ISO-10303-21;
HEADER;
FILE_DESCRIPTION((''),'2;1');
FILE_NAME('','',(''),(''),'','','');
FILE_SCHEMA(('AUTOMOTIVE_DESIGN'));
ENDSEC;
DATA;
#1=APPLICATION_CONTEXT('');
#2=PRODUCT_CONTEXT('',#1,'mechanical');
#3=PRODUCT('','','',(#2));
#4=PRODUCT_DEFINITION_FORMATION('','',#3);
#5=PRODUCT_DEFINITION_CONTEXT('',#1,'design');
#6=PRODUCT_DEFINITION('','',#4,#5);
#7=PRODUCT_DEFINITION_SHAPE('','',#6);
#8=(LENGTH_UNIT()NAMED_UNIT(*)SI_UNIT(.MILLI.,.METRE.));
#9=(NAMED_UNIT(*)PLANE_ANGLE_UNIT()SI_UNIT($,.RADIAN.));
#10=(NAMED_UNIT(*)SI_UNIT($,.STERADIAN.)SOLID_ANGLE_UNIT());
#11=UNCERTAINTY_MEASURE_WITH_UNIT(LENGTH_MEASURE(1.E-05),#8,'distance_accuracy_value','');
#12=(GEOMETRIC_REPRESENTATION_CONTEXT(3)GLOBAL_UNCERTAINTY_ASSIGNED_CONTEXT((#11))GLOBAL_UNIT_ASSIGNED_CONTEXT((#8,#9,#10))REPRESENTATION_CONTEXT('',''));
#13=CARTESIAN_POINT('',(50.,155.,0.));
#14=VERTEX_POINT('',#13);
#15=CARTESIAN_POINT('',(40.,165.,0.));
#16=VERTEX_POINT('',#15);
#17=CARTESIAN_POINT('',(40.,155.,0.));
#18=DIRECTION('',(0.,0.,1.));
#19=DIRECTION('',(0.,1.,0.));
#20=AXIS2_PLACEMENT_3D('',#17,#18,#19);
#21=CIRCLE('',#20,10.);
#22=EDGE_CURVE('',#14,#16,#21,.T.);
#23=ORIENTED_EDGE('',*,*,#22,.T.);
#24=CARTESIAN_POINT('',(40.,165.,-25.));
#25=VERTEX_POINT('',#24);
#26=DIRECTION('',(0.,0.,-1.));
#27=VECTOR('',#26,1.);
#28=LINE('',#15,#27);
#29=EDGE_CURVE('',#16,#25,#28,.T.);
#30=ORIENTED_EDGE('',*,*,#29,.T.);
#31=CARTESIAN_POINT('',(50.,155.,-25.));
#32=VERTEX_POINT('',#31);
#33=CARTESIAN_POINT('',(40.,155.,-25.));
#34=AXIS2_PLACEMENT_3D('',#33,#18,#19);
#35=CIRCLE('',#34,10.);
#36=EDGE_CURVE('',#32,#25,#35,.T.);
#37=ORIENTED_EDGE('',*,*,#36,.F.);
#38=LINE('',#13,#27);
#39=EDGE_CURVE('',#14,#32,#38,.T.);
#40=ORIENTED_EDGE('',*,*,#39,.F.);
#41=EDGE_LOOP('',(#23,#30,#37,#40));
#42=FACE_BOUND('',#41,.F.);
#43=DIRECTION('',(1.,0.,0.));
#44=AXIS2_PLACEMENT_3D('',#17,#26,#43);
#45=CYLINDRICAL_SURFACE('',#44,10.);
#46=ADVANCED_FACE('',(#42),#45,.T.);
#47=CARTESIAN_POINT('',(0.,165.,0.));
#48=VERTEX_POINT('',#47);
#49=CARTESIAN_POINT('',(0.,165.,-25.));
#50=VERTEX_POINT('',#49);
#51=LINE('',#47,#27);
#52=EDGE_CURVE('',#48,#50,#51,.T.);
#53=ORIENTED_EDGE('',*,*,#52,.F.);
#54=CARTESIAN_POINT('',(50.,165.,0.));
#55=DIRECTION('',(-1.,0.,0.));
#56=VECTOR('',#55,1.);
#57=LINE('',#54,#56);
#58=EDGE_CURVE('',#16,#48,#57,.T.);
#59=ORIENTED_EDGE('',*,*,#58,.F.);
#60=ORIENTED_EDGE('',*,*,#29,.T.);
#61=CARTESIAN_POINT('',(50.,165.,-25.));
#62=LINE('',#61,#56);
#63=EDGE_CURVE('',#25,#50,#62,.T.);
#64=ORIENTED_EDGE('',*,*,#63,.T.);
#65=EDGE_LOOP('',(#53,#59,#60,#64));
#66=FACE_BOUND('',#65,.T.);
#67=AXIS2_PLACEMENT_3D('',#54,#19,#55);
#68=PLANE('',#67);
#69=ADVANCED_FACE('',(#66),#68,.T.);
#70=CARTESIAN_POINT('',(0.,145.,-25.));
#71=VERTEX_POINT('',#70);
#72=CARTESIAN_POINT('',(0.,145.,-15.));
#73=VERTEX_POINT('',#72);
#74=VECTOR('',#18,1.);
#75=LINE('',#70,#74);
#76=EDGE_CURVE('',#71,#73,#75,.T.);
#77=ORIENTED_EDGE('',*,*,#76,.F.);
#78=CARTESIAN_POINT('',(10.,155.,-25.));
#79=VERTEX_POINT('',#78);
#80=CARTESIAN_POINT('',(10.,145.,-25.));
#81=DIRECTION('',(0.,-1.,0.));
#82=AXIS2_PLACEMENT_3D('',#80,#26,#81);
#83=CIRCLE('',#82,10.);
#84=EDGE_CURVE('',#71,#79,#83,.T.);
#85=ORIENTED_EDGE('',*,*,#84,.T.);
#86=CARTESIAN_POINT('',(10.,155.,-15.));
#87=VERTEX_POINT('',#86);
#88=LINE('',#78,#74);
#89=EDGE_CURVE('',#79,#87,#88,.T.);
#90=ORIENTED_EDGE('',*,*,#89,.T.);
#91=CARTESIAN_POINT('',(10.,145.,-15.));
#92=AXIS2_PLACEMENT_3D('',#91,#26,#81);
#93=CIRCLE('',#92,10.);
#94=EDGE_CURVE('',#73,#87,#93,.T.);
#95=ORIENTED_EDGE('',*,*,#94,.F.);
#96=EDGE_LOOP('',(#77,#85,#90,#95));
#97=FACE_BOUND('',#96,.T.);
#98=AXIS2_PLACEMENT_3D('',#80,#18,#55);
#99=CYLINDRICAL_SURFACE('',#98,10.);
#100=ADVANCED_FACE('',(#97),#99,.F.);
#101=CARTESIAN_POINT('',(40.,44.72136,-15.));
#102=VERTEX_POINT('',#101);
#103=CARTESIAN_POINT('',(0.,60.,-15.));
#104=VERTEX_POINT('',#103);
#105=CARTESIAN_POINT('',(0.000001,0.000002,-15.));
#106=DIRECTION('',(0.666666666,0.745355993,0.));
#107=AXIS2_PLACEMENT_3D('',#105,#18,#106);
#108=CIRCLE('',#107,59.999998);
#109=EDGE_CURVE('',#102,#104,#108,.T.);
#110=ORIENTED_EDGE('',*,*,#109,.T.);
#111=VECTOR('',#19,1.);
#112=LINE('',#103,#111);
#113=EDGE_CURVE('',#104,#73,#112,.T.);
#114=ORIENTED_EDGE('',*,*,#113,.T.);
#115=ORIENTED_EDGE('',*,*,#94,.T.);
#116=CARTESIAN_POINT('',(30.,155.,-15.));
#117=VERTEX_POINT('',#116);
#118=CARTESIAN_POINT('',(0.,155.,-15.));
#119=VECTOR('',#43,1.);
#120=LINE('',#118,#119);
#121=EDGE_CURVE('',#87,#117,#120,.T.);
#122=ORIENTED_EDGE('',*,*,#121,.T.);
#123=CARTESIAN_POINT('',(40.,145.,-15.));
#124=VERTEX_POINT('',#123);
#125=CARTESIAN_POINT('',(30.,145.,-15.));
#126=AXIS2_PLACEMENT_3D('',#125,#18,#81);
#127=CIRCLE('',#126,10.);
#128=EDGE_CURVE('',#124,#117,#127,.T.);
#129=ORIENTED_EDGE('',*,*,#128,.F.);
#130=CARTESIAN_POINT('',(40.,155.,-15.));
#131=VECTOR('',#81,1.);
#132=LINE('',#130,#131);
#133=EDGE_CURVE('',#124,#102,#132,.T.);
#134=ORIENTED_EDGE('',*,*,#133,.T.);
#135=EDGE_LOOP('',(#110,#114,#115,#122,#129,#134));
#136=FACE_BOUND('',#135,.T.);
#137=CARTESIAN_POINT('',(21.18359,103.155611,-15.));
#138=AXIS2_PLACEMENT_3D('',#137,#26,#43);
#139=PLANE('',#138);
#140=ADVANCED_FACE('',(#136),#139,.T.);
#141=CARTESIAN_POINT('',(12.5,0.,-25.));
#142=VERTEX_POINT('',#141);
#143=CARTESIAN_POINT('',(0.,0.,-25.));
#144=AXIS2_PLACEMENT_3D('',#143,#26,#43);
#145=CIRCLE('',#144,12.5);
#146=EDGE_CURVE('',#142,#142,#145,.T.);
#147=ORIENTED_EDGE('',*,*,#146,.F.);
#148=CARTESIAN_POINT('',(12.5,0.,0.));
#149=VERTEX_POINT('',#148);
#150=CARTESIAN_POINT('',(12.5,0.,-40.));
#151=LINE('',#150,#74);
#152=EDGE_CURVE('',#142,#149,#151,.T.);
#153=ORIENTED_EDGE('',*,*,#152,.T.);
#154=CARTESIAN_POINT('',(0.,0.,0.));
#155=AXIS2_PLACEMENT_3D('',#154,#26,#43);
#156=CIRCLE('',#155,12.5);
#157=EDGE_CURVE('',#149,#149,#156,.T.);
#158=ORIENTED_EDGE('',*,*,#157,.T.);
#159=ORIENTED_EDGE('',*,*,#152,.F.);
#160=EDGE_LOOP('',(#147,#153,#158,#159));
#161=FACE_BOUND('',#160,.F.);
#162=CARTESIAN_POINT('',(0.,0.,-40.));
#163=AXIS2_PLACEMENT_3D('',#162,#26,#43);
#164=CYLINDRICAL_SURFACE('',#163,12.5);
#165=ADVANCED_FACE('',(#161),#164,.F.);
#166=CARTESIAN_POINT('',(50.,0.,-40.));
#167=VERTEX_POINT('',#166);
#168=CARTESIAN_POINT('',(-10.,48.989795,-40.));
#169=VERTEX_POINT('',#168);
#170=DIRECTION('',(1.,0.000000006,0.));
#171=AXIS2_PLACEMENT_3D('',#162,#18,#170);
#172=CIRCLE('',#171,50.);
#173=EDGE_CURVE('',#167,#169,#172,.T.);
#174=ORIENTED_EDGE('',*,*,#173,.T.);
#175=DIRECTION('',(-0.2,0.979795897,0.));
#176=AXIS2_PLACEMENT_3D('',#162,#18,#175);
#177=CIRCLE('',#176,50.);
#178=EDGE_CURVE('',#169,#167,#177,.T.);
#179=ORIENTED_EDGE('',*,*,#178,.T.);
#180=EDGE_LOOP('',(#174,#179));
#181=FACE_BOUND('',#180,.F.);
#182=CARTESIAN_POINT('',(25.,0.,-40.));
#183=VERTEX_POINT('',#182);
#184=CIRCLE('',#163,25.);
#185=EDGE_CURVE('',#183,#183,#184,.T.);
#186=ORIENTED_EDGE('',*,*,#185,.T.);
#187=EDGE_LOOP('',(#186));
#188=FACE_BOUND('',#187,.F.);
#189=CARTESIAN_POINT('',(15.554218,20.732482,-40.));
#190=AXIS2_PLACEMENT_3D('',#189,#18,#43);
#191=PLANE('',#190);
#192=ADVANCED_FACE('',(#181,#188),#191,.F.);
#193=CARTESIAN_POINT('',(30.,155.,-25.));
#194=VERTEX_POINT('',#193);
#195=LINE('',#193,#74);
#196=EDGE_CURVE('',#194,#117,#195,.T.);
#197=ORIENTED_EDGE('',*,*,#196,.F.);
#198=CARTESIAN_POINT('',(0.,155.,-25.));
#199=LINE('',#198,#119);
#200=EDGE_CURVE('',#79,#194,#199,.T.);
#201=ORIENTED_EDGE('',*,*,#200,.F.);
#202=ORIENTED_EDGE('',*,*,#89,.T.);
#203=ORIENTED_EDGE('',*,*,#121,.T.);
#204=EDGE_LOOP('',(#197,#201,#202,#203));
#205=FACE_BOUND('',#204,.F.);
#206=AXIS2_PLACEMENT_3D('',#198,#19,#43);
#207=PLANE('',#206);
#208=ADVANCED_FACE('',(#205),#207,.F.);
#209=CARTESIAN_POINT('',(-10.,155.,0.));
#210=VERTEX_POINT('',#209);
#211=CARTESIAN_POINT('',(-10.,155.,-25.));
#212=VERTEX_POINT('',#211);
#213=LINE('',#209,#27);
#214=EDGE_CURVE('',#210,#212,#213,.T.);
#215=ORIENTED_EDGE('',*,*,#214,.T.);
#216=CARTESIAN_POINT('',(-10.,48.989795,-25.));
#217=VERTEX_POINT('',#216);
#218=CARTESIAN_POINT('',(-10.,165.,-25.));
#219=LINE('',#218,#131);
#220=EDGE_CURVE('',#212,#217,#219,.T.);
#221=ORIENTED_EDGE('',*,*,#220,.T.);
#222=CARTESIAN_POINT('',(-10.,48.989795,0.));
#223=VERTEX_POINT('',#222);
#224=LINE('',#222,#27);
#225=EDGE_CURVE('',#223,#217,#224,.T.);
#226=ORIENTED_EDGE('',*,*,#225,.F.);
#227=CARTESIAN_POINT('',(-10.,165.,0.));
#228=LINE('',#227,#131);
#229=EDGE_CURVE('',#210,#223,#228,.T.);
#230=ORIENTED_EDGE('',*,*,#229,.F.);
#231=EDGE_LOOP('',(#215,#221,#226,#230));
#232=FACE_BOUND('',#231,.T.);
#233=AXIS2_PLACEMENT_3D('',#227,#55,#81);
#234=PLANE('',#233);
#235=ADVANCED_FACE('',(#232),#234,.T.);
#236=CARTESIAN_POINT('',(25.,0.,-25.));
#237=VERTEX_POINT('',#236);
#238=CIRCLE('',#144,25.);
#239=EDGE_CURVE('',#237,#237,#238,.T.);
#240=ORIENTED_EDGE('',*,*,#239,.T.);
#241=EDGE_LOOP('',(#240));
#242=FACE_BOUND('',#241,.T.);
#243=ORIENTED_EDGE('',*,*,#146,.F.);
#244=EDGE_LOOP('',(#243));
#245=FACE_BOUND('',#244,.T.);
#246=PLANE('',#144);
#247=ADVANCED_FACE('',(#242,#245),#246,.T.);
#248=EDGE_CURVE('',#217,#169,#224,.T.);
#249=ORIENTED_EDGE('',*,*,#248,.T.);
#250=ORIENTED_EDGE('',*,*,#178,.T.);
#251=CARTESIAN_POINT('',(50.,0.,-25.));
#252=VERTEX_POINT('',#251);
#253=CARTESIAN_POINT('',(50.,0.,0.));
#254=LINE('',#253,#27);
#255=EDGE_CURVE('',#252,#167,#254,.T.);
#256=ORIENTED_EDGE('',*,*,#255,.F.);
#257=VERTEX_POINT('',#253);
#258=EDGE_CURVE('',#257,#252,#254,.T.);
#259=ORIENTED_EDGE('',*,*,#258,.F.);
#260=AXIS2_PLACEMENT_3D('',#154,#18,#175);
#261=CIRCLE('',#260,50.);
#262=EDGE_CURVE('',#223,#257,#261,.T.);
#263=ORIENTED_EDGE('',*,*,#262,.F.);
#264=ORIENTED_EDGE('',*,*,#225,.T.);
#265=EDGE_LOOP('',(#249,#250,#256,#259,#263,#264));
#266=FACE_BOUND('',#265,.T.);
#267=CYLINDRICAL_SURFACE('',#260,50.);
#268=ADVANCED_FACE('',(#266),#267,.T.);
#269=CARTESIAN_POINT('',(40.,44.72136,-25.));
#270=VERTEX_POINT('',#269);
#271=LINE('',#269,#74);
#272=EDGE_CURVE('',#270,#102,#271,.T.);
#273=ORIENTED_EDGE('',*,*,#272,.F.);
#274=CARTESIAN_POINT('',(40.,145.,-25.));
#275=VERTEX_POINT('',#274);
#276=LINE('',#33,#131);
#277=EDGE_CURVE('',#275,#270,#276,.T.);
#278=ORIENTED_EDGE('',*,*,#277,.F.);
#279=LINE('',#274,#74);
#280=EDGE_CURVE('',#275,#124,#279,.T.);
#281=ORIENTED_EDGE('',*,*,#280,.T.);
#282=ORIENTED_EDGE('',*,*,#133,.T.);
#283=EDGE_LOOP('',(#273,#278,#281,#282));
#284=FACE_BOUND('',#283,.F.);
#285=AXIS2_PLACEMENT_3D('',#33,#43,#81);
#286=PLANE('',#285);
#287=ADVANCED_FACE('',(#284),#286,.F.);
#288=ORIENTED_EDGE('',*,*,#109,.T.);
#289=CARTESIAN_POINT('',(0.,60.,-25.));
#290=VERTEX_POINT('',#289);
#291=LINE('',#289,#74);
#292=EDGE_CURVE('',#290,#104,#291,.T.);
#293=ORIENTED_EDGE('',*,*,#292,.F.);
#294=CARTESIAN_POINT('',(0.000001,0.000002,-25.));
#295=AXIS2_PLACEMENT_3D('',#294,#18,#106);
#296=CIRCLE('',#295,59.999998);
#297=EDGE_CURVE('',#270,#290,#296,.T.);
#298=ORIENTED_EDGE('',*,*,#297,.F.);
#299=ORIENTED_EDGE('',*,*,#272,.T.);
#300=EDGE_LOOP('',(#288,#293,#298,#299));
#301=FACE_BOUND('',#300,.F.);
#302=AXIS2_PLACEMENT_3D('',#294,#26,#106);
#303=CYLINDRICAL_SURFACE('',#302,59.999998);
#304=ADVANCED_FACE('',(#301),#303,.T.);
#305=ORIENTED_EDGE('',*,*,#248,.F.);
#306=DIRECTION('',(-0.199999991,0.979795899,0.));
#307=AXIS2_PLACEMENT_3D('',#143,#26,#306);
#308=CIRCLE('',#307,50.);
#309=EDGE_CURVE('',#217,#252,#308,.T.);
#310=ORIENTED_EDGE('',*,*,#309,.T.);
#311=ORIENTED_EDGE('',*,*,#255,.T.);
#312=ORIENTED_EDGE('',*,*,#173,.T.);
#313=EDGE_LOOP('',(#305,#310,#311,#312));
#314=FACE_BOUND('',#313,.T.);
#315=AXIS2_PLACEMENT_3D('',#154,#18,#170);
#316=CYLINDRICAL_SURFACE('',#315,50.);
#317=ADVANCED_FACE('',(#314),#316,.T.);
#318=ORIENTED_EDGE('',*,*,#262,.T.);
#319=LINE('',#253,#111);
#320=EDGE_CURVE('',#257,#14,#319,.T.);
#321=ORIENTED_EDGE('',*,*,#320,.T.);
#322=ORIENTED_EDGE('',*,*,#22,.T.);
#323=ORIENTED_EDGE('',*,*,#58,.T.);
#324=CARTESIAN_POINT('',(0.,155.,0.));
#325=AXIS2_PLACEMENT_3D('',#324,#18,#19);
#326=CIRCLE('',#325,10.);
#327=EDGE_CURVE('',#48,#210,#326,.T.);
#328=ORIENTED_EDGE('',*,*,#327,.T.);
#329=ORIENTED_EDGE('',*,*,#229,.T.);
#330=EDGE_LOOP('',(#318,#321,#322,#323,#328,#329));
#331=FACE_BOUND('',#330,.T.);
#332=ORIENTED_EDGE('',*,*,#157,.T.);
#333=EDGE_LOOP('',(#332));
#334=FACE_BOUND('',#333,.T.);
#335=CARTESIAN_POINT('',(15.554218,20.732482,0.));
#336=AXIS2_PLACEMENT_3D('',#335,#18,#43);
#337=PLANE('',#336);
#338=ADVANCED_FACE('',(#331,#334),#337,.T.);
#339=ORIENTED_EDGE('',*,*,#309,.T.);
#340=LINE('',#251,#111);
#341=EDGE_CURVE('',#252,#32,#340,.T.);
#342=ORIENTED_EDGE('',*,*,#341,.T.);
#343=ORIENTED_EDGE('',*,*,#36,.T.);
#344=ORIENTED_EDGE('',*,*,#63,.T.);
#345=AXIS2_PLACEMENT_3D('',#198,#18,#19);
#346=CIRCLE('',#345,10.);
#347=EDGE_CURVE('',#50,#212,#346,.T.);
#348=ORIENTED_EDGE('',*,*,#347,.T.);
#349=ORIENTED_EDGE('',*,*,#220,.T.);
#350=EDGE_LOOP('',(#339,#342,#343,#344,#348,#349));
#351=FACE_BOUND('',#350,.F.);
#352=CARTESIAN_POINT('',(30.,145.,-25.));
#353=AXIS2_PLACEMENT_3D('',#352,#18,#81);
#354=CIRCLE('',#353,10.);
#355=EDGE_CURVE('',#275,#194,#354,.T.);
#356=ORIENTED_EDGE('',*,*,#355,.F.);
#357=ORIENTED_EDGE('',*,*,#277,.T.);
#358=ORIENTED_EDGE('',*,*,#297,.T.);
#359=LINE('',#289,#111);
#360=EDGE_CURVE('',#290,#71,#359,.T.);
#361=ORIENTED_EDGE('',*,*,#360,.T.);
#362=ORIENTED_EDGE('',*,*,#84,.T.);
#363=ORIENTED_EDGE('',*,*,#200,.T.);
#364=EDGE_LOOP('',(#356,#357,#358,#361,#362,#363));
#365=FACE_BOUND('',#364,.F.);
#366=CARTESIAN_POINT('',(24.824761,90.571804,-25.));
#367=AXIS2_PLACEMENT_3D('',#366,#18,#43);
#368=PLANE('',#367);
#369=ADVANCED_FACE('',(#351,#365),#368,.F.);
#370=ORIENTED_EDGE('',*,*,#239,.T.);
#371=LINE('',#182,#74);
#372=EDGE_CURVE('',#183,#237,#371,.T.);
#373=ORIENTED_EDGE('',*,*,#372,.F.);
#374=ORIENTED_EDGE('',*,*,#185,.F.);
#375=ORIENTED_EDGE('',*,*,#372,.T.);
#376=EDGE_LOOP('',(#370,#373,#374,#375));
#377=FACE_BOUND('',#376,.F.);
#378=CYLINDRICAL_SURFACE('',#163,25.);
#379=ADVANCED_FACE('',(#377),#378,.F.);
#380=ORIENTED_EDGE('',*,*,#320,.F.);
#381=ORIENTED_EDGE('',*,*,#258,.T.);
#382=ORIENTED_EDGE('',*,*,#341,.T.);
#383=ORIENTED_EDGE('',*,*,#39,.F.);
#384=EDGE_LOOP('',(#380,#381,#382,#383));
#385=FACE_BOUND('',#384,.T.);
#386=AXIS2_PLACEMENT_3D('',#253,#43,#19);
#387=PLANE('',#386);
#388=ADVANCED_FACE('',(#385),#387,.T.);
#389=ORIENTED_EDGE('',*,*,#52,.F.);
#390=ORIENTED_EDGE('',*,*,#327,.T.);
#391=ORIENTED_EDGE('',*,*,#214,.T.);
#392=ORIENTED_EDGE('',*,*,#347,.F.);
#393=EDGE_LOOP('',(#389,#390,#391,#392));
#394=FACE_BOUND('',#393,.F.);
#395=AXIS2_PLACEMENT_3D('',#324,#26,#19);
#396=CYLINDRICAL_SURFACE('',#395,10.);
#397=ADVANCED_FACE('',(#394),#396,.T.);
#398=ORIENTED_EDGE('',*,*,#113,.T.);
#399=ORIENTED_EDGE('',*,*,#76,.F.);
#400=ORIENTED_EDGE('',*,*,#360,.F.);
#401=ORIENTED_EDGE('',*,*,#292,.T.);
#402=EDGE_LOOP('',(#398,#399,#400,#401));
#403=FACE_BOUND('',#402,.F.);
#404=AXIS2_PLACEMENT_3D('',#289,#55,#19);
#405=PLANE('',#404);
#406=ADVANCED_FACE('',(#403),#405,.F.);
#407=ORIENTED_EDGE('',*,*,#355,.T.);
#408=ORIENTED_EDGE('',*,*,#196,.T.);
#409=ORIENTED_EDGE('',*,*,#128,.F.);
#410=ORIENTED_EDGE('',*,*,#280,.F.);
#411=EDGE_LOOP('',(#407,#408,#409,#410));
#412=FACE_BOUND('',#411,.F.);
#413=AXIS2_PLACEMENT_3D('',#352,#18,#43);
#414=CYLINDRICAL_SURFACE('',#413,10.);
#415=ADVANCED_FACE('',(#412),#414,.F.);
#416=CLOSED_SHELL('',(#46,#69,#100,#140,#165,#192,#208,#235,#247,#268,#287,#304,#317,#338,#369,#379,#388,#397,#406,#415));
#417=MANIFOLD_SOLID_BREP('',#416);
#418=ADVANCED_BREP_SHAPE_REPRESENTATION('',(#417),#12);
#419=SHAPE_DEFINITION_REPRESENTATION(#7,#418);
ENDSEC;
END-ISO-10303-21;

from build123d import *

# Parameters (mm, degrees)
F1_DEPTH = 25
F2_DEPTH = 40
F3_R     = 12.5
F4_DEPTH = 40.001
F5_R     = 25
F6_DEPTH = 15
F7_R     = 10
F9_DEPTH = 10
F10_R    = 10


with BuildPart() as f1:
    # F0 (on Top) → F1 (new body)
    with BuildSketch(Plane.XY):
        with BuildLine():
            ThreePointArc((-10, 48.989795), (31.622777, 38.729833), (50, 0))
            Line((50, 0), (50, 165))
            Line((50, 165), (-10, 165))
            Line((-10, 165), (-10, 48.989795))
        make_face()
    extrude(amount=-F1_DEPTH)

    # F0 (on Top) → F2 (join)
    with BuildSketch(Plane.XY):
        with BuildLine():
            Line((-10, 0), (50, 0))
            ThreePointArc((50, 0), (31.622777, 38.729833), (-10, 48.989795))
            Line((-10, 48.989795), (-10, 0))
        make_face()
        with BuildLine():
            ThreePointArc((-10, 48.989795), (-31.622777, -38.729833), (50, 0))
            Line((50, 0), (-10, 0))
            Line((-10, 0), (-10, 48.989795))
        make_face()
    extrude(amount=-F2_DEPTH)

    # F3 (on face) → F4 (cut, through all)
    with BuildSketch(Plane(origin=(0, 0, -40), x_dir=(1, 0, 0), z_dir=(0, 0, -1))):
        Circle(F3_R)
    extrude(amount=-F4_DEPTH, mode=Mode.SUBTRACT)

    # F5 (on face) → F6 (cut)
    with BuildSketch(Plane(origin=(0, 0, -40), x_dir=(1, 0, 0), z_dir=(0, 0, -1))):
        Circle(F5_R)
    extrude(amount=-F6_DEPTH, mode=Mode.SUBTRACT)

    # F7
    f7_edges = [f1.edges().sort_by_distance(p)[0] for p in [
        (-10, 165, -12.5),
        (50, 165, -12.5),
    ]]
    fillet(f7_edges, radius=F7_R)

    # F8 (on face) → F9 (cut)
    with BuildSketch(Plane(origin=(0, 0, -25), x_dir=(1, 0, 0), z_dir=(0, 0, -1))):
        with BuildLine():
            Line((0, -155), (40, -155))
            Line((40, -155), (40, -44.72136))
            ThreePointArc((40, -44.72136), (21.409325, -56.050342), (0, -60))
            Line((0, -60), (0, -155))
        make_face()
    extrude(amount=-F9_DEPTH, mode=Mode.SUBTRACT)

    # F10
    f10_edges = [f1.edges().sort_by_distance(p)[0] for p in [
        (0, 155, -20),
        (40, 155, -20),
    ]]
    fillet(f10_edges, radius=F10_R)


solid = f1.part
